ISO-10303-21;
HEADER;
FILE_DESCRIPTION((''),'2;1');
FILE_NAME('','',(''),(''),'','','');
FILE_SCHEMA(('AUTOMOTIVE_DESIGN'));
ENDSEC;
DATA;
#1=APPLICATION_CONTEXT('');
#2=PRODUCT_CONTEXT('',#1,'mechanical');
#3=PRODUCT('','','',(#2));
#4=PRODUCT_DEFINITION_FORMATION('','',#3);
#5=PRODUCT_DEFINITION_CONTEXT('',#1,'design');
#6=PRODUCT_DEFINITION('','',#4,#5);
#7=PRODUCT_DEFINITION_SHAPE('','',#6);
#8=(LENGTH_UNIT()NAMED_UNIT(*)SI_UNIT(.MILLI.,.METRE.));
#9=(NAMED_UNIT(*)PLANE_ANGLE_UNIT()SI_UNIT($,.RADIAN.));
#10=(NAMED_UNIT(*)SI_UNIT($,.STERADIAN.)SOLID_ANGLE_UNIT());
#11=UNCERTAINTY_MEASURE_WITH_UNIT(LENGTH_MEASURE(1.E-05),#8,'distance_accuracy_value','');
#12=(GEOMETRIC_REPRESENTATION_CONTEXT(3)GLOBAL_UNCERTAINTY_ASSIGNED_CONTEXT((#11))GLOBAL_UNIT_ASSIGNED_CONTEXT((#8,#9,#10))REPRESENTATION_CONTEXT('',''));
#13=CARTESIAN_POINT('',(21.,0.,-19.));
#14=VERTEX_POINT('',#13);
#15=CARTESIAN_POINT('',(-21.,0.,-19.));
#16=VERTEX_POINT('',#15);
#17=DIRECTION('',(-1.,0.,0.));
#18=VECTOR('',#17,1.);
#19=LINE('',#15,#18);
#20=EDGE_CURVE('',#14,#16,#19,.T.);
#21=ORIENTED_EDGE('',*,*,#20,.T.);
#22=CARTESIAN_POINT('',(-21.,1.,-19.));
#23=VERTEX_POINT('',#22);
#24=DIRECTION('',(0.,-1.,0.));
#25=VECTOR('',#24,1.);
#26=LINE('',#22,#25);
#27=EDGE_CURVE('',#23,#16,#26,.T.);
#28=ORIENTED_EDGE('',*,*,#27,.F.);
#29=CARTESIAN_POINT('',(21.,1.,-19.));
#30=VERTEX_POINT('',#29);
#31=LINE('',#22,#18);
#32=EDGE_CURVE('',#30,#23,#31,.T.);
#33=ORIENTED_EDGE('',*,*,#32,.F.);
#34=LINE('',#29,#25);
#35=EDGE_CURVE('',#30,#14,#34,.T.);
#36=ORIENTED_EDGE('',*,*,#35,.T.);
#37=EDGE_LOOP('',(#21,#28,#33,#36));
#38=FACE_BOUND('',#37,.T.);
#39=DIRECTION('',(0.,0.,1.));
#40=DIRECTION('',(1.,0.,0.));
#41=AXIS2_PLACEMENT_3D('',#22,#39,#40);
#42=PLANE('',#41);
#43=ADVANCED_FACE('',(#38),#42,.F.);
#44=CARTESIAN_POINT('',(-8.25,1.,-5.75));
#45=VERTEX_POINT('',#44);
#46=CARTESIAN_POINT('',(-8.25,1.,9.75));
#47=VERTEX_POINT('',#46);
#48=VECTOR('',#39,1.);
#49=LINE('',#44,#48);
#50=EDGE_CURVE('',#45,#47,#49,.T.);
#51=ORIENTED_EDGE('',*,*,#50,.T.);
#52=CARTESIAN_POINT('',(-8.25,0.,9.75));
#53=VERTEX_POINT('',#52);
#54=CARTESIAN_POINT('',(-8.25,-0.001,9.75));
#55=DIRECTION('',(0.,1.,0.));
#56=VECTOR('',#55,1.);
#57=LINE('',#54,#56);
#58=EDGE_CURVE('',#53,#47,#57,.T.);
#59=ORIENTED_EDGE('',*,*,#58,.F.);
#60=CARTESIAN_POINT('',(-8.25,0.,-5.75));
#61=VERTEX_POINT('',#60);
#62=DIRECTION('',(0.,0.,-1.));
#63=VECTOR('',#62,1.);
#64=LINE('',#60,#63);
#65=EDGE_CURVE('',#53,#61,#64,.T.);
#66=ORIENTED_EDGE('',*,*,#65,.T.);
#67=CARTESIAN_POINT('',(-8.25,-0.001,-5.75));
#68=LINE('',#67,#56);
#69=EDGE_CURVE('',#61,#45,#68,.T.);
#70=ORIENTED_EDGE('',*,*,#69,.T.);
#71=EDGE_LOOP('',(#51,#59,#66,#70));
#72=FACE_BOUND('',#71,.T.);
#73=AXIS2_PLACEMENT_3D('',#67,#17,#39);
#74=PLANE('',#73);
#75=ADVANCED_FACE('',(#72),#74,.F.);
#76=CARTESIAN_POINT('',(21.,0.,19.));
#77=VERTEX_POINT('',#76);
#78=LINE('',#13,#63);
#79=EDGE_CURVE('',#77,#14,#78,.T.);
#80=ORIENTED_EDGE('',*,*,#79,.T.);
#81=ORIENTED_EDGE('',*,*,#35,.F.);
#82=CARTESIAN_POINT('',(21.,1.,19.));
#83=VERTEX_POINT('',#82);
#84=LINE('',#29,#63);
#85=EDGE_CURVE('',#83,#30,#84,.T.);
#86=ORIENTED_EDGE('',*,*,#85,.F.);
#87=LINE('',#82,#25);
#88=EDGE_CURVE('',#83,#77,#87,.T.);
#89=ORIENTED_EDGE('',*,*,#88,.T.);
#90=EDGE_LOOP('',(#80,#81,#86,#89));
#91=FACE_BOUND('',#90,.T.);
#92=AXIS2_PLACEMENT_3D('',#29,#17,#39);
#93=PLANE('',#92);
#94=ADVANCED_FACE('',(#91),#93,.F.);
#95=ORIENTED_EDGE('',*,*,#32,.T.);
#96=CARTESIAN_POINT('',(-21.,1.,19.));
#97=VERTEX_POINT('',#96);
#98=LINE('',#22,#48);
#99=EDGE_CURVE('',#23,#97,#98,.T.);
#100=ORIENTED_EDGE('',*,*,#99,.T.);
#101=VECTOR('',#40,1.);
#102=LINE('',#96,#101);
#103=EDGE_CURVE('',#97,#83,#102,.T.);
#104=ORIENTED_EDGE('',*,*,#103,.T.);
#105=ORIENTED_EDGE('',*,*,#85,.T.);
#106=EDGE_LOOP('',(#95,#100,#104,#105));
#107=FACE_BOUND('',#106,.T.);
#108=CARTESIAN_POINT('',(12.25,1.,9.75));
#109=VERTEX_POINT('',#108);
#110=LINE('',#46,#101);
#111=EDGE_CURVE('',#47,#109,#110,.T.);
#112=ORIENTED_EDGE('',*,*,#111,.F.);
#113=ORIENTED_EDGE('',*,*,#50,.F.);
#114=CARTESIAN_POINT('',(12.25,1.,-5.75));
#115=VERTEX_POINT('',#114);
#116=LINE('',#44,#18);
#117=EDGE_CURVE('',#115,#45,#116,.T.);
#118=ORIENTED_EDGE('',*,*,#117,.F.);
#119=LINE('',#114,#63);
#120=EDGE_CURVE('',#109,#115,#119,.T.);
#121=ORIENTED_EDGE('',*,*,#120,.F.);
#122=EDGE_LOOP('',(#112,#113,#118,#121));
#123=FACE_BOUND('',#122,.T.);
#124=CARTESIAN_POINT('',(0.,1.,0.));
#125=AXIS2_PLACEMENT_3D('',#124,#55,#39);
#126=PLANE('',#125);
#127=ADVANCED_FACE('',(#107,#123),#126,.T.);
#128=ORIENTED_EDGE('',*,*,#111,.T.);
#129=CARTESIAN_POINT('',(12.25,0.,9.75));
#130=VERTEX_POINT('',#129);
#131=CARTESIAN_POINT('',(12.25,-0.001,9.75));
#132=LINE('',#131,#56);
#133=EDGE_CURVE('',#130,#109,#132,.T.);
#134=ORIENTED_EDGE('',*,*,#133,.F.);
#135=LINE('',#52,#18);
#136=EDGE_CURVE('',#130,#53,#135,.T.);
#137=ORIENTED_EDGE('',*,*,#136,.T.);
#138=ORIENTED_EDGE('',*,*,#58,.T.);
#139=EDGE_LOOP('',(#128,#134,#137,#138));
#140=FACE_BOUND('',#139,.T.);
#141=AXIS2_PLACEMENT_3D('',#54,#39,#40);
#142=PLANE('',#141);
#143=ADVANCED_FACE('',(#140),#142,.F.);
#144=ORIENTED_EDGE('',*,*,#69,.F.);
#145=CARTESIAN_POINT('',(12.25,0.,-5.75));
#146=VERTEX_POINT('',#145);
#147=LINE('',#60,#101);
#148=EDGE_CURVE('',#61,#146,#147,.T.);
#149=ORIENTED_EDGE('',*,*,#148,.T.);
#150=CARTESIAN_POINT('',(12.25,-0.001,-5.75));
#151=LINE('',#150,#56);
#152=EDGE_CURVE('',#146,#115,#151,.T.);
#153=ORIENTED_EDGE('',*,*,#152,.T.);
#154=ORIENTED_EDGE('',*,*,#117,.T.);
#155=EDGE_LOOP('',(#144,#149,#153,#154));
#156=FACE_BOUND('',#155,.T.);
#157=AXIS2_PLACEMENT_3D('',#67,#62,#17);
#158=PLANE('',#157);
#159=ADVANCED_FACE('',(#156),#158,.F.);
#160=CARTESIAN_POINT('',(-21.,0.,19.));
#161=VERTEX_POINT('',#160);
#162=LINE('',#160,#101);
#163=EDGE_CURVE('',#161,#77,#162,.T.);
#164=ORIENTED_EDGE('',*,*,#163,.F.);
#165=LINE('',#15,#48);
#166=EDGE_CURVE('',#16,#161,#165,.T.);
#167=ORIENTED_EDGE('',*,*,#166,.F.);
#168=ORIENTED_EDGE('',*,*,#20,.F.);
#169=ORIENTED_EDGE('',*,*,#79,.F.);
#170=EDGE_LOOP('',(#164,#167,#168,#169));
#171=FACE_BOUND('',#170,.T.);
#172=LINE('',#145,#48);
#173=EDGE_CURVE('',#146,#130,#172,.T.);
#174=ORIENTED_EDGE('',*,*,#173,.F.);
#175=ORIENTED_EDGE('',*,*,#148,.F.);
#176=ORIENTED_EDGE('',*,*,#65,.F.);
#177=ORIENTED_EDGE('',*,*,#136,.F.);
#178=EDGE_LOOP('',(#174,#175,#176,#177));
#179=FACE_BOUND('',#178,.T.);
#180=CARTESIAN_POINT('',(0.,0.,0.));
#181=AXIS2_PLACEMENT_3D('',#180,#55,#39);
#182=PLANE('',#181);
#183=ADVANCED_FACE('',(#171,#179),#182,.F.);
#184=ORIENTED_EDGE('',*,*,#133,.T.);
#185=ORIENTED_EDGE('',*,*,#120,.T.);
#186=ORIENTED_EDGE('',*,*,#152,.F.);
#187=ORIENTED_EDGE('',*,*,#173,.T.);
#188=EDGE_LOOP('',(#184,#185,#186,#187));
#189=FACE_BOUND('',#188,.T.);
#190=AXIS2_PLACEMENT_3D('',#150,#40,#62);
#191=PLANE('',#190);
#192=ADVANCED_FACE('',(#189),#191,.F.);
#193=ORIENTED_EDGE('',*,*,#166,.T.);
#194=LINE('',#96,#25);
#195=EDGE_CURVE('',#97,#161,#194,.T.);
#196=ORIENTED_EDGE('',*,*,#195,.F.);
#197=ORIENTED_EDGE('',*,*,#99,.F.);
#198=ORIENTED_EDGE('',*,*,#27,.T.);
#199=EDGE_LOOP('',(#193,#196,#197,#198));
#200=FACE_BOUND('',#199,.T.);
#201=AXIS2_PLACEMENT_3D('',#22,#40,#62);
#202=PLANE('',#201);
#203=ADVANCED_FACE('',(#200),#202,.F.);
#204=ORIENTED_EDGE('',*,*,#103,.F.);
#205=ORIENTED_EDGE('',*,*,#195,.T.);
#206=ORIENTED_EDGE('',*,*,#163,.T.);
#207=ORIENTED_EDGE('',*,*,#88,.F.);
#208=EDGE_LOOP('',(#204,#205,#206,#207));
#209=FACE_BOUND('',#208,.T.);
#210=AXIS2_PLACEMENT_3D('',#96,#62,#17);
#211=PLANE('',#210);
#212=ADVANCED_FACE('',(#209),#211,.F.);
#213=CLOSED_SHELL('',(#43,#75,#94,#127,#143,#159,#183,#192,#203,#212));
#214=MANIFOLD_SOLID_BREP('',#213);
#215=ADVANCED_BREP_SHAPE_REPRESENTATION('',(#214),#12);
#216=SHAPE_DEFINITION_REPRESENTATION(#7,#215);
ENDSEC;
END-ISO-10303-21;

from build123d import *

# Parameters (mm, degrees)
SKETCH_1_W         = 42
SKETCH_1_H         = 38
TOP_DEPTH          = 1
DHT22_WINDOW_REACH = 30.337
SKETCH_2_W         = 20.5
SKETCH_2_H         = 15.5


with BuildPart() as part:
    # 스케치1 → Top (new body)
    with BuildSketch(Plane(origin=(0, 0, 0), x_dir=(1, 0, 0), z_dir=(0, 1, 0))):
        Rectangle(SKETCH_1_W, SKETCH_1_H)
    extrude(amount=TOP_DEPTH)

    # 스케치2 → DHT22_window (cut, up to next)
    with BuildSketch(Plane(origin=(0, 1, 0), x_dir=(1, 0, 0), z_dir=(0, 1, 0)), mode=Mode.PRIVATE) as dht22_window_sk1:
        with Locations((2, -2)):
            Rectangle(SKETCH_2_W, SKETCH_2_H)
    dht22_window_tool1 = extrude(dht22_window_sk1.sketch, amount=-DHT22_WINDOW_REACH, mode=Mode.PRIVATE) & part.part
    add(dht22_window_tool1.solids().sort_by_distance((2, 1, 2))[0], mode=Mode.SUBTRACT)


solid = part.part
